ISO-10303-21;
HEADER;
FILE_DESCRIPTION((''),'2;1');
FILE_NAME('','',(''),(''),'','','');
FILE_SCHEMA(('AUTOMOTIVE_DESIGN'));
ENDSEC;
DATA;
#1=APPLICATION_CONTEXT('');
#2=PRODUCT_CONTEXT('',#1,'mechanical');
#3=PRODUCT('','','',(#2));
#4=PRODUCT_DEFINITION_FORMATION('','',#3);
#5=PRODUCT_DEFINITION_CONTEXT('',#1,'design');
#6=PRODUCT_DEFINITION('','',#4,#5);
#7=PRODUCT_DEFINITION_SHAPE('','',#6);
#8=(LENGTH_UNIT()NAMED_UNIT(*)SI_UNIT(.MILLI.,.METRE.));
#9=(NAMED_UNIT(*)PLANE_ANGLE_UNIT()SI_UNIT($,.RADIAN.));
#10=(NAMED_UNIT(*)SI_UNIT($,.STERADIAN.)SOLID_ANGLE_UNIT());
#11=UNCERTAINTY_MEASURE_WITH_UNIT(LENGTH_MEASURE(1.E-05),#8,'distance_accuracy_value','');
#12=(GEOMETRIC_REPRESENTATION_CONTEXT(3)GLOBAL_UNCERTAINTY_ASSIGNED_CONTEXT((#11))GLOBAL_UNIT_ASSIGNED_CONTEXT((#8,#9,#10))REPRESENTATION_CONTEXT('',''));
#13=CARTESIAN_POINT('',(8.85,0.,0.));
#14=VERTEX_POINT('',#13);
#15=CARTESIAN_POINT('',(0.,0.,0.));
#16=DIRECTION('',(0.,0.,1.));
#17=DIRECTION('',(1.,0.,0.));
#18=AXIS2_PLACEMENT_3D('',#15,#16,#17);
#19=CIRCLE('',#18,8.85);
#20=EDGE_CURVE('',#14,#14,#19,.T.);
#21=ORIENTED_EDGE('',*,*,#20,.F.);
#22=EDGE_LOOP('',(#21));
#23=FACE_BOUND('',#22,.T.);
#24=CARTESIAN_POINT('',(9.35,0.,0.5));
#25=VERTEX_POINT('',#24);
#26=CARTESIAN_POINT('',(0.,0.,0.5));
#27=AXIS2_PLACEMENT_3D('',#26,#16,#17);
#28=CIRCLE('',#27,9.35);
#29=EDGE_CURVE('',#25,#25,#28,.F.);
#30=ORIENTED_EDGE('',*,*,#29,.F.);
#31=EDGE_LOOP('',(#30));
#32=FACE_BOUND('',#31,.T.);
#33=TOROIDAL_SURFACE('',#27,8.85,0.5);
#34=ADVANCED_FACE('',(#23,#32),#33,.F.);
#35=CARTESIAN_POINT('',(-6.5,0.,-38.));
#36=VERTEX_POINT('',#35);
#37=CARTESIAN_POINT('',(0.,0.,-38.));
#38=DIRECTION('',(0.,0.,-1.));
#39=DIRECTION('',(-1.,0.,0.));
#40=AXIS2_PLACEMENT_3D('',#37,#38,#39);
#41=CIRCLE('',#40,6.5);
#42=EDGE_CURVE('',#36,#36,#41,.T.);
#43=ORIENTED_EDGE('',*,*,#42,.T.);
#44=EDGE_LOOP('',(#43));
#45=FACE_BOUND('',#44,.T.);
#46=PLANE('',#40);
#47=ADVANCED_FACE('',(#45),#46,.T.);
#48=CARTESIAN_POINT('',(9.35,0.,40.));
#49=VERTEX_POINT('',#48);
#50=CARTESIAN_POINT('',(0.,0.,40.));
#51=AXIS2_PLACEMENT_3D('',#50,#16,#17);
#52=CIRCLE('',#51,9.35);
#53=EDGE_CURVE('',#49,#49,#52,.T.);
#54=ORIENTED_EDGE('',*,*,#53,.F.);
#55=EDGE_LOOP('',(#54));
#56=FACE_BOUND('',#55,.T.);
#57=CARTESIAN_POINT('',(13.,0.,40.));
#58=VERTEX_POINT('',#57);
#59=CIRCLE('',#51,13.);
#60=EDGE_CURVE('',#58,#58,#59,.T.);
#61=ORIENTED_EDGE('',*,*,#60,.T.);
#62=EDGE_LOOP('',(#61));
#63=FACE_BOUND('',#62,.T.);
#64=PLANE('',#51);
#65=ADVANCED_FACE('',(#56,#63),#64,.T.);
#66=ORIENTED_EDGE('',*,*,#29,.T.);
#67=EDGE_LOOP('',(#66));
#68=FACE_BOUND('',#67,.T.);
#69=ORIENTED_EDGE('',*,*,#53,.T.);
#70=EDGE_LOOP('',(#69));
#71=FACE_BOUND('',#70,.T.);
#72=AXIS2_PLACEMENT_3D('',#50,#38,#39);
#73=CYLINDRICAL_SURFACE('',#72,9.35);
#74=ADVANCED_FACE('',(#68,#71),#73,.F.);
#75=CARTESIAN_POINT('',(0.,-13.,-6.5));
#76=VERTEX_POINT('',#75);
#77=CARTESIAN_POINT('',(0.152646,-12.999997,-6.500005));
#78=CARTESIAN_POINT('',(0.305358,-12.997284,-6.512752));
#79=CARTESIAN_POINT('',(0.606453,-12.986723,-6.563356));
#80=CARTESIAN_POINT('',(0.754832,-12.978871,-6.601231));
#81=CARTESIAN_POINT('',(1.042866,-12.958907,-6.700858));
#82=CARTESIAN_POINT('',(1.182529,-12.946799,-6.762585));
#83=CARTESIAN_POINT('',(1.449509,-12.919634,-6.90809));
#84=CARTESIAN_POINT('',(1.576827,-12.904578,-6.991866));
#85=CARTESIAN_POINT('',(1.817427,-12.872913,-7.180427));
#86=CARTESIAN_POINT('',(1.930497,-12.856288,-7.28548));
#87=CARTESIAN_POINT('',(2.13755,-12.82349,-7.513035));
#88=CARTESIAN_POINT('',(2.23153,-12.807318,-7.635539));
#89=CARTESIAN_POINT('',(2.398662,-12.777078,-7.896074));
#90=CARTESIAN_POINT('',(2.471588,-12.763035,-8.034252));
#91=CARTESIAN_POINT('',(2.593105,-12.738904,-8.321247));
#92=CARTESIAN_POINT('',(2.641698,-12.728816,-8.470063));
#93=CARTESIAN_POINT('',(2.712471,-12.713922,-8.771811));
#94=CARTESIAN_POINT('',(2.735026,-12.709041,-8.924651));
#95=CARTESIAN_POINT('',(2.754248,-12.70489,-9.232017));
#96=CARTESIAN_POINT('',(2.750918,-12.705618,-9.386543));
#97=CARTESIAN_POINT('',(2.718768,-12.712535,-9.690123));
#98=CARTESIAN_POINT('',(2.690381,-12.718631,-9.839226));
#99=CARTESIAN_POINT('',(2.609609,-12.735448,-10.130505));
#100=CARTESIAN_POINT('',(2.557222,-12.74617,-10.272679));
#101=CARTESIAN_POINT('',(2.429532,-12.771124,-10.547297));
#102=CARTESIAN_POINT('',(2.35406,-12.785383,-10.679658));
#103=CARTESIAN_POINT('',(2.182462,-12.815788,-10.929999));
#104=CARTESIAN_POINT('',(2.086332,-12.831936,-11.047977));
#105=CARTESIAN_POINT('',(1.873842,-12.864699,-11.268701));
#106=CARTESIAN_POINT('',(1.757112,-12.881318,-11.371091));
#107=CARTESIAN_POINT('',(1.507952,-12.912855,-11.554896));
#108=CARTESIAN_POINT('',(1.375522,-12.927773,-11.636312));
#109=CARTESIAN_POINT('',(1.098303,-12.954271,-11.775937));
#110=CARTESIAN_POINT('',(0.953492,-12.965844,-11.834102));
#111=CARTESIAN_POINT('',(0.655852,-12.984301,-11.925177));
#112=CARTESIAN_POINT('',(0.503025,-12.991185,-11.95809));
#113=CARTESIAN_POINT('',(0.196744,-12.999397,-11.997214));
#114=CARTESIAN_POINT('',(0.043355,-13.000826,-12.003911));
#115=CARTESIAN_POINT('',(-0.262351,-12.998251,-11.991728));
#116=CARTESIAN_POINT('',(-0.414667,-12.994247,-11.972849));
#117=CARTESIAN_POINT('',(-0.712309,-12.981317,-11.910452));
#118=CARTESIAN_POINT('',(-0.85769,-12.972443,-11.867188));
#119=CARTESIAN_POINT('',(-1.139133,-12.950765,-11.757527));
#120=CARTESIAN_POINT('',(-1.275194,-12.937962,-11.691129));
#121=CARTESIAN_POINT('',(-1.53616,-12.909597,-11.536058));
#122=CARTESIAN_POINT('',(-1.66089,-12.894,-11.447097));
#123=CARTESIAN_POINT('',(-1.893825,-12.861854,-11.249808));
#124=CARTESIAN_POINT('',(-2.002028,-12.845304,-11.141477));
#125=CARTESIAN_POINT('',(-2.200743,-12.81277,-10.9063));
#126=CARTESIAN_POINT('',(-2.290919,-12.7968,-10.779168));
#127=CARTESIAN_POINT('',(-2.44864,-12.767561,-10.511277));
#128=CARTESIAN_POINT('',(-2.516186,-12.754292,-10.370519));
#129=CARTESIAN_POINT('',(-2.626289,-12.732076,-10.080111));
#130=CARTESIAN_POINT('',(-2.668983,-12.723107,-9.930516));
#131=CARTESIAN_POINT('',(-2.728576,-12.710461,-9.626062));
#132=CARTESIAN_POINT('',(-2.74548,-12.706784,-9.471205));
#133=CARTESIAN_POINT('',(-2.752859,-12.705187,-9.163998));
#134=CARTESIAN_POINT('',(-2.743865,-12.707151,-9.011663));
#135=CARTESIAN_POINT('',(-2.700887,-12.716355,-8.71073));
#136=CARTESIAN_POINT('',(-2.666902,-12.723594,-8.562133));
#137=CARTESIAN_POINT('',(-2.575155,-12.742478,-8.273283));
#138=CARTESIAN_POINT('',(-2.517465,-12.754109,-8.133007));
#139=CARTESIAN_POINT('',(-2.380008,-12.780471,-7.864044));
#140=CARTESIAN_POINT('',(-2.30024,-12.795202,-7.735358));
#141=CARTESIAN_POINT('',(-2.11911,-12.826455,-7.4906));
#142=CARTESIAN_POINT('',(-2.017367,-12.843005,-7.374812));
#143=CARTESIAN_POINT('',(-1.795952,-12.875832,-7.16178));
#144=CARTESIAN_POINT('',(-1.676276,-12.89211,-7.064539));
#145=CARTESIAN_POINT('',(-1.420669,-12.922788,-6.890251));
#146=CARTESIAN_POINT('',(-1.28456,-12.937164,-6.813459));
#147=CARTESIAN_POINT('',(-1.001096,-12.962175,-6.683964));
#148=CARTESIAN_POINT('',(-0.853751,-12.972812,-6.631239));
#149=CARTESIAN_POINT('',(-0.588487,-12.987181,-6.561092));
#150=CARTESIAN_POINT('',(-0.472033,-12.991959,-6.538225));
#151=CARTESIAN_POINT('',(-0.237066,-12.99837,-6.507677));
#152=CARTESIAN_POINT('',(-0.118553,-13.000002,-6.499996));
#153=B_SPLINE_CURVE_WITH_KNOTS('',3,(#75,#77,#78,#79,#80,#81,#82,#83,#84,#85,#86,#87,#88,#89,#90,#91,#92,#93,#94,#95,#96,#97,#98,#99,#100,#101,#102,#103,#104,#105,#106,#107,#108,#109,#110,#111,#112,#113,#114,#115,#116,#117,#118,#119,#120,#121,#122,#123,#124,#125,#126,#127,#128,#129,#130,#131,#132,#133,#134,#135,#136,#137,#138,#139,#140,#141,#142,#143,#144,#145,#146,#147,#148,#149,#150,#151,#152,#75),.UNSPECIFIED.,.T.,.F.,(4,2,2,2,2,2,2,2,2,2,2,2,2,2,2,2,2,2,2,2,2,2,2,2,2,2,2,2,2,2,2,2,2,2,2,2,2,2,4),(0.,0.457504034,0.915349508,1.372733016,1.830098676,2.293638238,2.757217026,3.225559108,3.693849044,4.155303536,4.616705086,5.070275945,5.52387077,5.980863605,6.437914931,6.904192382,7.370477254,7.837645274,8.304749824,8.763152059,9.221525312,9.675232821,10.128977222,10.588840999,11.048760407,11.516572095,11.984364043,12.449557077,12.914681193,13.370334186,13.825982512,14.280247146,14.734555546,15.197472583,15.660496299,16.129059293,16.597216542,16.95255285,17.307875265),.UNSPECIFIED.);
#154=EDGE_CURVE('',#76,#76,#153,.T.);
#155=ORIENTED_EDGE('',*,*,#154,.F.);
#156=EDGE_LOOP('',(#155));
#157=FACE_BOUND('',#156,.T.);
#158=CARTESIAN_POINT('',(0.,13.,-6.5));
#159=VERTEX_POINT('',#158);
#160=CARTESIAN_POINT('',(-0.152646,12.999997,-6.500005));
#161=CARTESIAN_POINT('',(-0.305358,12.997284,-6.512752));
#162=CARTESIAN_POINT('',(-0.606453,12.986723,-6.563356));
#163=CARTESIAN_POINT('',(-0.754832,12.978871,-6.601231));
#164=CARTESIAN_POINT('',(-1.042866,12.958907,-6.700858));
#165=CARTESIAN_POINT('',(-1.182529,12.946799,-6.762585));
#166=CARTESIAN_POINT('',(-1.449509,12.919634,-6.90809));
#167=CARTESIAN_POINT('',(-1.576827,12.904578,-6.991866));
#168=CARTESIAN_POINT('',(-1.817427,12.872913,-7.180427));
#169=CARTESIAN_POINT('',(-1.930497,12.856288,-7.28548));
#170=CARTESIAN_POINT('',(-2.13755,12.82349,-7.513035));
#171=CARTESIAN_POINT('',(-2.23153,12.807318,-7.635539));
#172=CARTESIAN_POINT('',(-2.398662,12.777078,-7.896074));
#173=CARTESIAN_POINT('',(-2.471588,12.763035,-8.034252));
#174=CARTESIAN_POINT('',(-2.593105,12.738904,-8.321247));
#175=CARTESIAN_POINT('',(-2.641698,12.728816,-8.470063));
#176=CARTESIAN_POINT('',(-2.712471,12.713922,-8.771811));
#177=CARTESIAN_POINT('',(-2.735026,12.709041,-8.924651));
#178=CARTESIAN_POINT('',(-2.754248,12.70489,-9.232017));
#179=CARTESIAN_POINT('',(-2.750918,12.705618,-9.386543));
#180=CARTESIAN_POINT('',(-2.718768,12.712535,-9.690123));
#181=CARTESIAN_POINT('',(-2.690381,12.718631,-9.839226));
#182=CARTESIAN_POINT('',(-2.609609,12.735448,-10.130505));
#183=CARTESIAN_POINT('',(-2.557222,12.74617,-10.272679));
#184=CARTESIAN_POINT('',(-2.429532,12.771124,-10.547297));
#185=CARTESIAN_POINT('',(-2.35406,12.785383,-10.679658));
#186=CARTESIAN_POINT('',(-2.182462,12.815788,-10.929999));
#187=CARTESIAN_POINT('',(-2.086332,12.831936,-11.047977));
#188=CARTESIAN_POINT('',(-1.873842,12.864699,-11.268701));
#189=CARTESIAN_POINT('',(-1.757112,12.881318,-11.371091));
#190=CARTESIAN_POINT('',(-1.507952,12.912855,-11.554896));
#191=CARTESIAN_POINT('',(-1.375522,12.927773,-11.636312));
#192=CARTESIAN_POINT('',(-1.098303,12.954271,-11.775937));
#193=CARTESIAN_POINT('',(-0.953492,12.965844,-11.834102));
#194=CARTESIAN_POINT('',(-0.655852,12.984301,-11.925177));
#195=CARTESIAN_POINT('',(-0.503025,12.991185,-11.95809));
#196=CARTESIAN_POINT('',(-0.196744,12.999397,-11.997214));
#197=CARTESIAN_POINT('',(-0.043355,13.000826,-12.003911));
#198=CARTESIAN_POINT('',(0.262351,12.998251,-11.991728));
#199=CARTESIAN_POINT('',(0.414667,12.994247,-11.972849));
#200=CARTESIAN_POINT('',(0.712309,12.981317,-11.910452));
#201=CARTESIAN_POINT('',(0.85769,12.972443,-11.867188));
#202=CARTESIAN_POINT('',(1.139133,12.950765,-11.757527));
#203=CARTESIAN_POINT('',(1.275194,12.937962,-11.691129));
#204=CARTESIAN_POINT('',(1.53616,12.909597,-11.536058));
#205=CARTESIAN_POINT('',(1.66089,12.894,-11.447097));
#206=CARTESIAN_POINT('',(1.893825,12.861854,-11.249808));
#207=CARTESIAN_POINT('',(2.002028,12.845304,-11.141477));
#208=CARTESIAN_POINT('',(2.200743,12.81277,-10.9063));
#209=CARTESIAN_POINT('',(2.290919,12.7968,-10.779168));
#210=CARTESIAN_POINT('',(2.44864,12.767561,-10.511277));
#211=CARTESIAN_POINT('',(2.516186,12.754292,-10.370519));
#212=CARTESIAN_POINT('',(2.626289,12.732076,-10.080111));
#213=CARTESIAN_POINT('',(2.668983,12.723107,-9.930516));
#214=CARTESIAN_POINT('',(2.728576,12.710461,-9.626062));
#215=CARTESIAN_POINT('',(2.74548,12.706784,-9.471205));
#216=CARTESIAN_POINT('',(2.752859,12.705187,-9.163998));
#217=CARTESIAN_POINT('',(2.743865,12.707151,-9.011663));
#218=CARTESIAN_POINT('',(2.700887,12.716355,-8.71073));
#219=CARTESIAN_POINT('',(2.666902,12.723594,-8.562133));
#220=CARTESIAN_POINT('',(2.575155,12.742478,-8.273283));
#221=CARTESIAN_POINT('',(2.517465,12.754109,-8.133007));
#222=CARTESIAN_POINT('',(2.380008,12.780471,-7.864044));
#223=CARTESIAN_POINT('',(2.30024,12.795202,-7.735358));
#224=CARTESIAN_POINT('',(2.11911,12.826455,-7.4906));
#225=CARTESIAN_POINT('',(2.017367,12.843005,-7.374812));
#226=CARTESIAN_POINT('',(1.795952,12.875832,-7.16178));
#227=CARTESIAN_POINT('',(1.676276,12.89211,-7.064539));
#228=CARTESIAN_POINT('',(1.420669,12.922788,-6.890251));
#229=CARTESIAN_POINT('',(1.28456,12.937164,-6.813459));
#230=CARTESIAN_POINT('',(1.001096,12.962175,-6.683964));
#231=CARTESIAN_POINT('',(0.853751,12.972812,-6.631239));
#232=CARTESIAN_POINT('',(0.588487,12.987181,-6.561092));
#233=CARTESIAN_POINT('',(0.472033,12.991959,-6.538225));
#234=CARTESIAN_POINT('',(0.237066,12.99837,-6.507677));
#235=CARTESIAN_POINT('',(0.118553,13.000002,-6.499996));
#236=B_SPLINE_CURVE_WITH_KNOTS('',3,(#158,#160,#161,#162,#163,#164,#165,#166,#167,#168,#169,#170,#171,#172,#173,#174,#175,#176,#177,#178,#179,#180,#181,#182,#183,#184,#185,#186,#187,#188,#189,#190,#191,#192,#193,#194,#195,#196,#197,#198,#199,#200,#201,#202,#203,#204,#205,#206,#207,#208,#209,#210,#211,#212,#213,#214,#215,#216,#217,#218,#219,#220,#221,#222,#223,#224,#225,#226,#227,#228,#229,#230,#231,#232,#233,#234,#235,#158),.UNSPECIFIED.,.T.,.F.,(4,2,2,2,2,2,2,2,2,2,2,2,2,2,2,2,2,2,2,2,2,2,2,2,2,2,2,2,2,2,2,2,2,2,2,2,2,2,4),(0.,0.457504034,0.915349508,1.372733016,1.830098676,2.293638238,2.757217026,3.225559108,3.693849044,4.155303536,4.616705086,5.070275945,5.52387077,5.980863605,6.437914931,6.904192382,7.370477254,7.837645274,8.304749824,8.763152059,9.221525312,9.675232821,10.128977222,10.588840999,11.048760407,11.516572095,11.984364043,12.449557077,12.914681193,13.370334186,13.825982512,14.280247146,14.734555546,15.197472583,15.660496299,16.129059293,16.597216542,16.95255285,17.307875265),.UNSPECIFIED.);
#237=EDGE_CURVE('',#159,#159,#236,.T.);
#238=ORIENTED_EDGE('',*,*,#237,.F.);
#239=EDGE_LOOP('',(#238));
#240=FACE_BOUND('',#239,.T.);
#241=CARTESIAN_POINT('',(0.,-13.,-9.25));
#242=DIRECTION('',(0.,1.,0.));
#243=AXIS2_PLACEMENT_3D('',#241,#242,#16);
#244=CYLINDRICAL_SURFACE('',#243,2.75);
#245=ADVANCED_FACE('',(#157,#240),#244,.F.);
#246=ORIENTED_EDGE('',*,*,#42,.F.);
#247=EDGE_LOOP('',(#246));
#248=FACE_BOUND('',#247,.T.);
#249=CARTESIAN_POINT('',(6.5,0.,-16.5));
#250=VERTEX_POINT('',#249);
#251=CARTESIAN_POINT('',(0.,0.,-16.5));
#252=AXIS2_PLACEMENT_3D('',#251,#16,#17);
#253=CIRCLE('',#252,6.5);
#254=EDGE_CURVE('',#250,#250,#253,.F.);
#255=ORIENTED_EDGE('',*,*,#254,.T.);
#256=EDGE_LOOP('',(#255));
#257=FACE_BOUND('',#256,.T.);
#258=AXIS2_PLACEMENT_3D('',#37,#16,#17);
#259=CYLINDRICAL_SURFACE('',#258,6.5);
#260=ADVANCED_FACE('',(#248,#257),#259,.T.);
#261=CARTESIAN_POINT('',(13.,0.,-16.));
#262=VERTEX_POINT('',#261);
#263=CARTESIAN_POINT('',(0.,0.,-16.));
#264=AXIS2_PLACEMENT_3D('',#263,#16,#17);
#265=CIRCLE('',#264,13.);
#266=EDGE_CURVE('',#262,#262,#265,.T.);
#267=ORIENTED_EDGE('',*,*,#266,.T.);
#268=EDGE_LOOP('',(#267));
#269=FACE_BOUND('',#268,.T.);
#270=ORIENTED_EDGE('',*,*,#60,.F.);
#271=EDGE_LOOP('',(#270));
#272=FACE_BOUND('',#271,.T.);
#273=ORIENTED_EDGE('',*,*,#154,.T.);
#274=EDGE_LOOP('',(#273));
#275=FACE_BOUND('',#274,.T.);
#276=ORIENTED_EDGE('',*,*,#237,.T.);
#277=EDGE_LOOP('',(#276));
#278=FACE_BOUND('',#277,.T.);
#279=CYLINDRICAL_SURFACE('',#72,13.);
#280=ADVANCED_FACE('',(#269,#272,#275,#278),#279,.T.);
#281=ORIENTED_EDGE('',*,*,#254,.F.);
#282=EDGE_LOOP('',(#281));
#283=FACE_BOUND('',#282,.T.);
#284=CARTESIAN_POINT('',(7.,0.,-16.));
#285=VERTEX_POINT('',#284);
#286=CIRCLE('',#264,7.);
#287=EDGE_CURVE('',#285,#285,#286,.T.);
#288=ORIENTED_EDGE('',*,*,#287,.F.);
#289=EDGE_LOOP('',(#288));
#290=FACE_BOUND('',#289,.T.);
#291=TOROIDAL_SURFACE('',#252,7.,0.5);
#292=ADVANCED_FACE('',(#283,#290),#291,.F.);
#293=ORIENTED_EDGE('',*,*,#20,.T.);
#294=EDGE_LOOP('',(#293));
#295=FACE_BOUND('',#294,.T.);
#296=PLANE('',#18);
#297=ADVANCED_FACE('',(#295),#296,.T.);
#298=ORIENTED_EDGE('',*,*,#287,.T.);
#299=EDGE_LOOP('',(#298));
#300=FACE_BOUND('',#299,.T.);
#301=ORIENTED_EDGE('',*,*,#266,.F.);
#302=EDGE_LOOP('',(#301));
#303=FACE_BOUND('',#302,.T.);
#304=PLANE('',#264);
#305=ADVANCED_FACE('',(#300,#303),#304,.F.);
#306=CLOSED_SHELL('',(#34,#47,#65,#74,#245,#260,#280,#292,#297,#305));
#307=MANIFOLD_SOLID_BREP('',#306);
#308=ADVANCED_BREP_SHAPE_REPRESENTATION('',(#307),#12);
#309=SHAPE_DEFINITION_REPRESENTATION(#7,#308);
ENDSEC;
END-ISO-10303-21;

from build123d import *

# Parameters (mm, degrees)
CROQUIS1_R                 = 13
CROQUIS1_R_2               = 9.35
SALIENTE_EXTRUIR1_DEPTH    = 40
SALIENTE_EXTRUIR2_START    = -16
CROQUIS1_2_R               = 13
SALIENTE_EXTRUIR2_DEPTH    = 16
CROQUIS2_R                 = 6.5
SALIENTE_EXTRUIR3_DEPTH    = 22
REDONDEO1_R                = 0.5
REDONDEO2_R                = 0.5
CORTAR_EXTRUIR1_DEPTH      = 45.022721406
CORTAR_EXTRUIR1_DEPTH_BACK = 45.022721406
CROQUIS3_R                 = 2.75


with BuildPart() as part:
    # Croquis1 → Saliente-Extruir1 (new body)
    with BuildSketch(Plane.XY):
        Circle(CROQUIS1_R)
        Circle(CROQUIS1_R_2, mode=Mode.SUBTRACT)
    extrude(amount=SALIENTE_EXTRUIR1_DEPTH)

    # Croquis1<2> → Saliente-Extruir2 (add)
    with BuildSketch(Plane.XY.offset(SALIENTE_EXTRUIR2_START)):
        Circle(CROQUIS1_2_R)
    extrude(amount=SALIENTE_EXTRUIR2_DEPTH)

    # Croquis2 → Saliente-Extruir3 (add)
    with BuildSketch(Plane(origin=(0, 0, -16), x_dir=(-1, 0, 0), z_dir=(0, 0, -1))):
        Circle(CROQUIS2_R)
    extrude(amount=SALIENTE_EXTRUIR3_DEPTH)

    # Redondeo1
    redondeo1_edges = [part.edges().sort_by_distance(p)[0] for p in [
        (6.5, 0, -16),
    ]]
    fillet(redondeo1_edges, radius=REDONDEO1_R)

    # Redondeo2
    redondeo2_edges = [part.edges().sort_by_distance(p)[0] for p in [
        (-9.35, 0, 0),
    ]]
    fillet(redondeo2_edges, radius=REDONDEO2_R)

    # Croquis3 → Cortar-Extruir1 (cut, two sides: drawn at the far end of the back side and taken through both)
    with BuildSketch(Plane(origin=(0, 0, 0), x_dir=(1, 0, 0), z_dir=(0, 1, 0)).offset(-CORTAR_EXTRUIR1_DEPTH_BACK)):
        with Locations((0, 9.25)):
            Circle(CROQUIS3_R)
    extrude(amount=CORTAR_EXTRUIR1_DEPTH + CORTAR_EXTRUIR1_DEPTH_BACK, mode=Mode.SUBTRACT)


solid = part.part
